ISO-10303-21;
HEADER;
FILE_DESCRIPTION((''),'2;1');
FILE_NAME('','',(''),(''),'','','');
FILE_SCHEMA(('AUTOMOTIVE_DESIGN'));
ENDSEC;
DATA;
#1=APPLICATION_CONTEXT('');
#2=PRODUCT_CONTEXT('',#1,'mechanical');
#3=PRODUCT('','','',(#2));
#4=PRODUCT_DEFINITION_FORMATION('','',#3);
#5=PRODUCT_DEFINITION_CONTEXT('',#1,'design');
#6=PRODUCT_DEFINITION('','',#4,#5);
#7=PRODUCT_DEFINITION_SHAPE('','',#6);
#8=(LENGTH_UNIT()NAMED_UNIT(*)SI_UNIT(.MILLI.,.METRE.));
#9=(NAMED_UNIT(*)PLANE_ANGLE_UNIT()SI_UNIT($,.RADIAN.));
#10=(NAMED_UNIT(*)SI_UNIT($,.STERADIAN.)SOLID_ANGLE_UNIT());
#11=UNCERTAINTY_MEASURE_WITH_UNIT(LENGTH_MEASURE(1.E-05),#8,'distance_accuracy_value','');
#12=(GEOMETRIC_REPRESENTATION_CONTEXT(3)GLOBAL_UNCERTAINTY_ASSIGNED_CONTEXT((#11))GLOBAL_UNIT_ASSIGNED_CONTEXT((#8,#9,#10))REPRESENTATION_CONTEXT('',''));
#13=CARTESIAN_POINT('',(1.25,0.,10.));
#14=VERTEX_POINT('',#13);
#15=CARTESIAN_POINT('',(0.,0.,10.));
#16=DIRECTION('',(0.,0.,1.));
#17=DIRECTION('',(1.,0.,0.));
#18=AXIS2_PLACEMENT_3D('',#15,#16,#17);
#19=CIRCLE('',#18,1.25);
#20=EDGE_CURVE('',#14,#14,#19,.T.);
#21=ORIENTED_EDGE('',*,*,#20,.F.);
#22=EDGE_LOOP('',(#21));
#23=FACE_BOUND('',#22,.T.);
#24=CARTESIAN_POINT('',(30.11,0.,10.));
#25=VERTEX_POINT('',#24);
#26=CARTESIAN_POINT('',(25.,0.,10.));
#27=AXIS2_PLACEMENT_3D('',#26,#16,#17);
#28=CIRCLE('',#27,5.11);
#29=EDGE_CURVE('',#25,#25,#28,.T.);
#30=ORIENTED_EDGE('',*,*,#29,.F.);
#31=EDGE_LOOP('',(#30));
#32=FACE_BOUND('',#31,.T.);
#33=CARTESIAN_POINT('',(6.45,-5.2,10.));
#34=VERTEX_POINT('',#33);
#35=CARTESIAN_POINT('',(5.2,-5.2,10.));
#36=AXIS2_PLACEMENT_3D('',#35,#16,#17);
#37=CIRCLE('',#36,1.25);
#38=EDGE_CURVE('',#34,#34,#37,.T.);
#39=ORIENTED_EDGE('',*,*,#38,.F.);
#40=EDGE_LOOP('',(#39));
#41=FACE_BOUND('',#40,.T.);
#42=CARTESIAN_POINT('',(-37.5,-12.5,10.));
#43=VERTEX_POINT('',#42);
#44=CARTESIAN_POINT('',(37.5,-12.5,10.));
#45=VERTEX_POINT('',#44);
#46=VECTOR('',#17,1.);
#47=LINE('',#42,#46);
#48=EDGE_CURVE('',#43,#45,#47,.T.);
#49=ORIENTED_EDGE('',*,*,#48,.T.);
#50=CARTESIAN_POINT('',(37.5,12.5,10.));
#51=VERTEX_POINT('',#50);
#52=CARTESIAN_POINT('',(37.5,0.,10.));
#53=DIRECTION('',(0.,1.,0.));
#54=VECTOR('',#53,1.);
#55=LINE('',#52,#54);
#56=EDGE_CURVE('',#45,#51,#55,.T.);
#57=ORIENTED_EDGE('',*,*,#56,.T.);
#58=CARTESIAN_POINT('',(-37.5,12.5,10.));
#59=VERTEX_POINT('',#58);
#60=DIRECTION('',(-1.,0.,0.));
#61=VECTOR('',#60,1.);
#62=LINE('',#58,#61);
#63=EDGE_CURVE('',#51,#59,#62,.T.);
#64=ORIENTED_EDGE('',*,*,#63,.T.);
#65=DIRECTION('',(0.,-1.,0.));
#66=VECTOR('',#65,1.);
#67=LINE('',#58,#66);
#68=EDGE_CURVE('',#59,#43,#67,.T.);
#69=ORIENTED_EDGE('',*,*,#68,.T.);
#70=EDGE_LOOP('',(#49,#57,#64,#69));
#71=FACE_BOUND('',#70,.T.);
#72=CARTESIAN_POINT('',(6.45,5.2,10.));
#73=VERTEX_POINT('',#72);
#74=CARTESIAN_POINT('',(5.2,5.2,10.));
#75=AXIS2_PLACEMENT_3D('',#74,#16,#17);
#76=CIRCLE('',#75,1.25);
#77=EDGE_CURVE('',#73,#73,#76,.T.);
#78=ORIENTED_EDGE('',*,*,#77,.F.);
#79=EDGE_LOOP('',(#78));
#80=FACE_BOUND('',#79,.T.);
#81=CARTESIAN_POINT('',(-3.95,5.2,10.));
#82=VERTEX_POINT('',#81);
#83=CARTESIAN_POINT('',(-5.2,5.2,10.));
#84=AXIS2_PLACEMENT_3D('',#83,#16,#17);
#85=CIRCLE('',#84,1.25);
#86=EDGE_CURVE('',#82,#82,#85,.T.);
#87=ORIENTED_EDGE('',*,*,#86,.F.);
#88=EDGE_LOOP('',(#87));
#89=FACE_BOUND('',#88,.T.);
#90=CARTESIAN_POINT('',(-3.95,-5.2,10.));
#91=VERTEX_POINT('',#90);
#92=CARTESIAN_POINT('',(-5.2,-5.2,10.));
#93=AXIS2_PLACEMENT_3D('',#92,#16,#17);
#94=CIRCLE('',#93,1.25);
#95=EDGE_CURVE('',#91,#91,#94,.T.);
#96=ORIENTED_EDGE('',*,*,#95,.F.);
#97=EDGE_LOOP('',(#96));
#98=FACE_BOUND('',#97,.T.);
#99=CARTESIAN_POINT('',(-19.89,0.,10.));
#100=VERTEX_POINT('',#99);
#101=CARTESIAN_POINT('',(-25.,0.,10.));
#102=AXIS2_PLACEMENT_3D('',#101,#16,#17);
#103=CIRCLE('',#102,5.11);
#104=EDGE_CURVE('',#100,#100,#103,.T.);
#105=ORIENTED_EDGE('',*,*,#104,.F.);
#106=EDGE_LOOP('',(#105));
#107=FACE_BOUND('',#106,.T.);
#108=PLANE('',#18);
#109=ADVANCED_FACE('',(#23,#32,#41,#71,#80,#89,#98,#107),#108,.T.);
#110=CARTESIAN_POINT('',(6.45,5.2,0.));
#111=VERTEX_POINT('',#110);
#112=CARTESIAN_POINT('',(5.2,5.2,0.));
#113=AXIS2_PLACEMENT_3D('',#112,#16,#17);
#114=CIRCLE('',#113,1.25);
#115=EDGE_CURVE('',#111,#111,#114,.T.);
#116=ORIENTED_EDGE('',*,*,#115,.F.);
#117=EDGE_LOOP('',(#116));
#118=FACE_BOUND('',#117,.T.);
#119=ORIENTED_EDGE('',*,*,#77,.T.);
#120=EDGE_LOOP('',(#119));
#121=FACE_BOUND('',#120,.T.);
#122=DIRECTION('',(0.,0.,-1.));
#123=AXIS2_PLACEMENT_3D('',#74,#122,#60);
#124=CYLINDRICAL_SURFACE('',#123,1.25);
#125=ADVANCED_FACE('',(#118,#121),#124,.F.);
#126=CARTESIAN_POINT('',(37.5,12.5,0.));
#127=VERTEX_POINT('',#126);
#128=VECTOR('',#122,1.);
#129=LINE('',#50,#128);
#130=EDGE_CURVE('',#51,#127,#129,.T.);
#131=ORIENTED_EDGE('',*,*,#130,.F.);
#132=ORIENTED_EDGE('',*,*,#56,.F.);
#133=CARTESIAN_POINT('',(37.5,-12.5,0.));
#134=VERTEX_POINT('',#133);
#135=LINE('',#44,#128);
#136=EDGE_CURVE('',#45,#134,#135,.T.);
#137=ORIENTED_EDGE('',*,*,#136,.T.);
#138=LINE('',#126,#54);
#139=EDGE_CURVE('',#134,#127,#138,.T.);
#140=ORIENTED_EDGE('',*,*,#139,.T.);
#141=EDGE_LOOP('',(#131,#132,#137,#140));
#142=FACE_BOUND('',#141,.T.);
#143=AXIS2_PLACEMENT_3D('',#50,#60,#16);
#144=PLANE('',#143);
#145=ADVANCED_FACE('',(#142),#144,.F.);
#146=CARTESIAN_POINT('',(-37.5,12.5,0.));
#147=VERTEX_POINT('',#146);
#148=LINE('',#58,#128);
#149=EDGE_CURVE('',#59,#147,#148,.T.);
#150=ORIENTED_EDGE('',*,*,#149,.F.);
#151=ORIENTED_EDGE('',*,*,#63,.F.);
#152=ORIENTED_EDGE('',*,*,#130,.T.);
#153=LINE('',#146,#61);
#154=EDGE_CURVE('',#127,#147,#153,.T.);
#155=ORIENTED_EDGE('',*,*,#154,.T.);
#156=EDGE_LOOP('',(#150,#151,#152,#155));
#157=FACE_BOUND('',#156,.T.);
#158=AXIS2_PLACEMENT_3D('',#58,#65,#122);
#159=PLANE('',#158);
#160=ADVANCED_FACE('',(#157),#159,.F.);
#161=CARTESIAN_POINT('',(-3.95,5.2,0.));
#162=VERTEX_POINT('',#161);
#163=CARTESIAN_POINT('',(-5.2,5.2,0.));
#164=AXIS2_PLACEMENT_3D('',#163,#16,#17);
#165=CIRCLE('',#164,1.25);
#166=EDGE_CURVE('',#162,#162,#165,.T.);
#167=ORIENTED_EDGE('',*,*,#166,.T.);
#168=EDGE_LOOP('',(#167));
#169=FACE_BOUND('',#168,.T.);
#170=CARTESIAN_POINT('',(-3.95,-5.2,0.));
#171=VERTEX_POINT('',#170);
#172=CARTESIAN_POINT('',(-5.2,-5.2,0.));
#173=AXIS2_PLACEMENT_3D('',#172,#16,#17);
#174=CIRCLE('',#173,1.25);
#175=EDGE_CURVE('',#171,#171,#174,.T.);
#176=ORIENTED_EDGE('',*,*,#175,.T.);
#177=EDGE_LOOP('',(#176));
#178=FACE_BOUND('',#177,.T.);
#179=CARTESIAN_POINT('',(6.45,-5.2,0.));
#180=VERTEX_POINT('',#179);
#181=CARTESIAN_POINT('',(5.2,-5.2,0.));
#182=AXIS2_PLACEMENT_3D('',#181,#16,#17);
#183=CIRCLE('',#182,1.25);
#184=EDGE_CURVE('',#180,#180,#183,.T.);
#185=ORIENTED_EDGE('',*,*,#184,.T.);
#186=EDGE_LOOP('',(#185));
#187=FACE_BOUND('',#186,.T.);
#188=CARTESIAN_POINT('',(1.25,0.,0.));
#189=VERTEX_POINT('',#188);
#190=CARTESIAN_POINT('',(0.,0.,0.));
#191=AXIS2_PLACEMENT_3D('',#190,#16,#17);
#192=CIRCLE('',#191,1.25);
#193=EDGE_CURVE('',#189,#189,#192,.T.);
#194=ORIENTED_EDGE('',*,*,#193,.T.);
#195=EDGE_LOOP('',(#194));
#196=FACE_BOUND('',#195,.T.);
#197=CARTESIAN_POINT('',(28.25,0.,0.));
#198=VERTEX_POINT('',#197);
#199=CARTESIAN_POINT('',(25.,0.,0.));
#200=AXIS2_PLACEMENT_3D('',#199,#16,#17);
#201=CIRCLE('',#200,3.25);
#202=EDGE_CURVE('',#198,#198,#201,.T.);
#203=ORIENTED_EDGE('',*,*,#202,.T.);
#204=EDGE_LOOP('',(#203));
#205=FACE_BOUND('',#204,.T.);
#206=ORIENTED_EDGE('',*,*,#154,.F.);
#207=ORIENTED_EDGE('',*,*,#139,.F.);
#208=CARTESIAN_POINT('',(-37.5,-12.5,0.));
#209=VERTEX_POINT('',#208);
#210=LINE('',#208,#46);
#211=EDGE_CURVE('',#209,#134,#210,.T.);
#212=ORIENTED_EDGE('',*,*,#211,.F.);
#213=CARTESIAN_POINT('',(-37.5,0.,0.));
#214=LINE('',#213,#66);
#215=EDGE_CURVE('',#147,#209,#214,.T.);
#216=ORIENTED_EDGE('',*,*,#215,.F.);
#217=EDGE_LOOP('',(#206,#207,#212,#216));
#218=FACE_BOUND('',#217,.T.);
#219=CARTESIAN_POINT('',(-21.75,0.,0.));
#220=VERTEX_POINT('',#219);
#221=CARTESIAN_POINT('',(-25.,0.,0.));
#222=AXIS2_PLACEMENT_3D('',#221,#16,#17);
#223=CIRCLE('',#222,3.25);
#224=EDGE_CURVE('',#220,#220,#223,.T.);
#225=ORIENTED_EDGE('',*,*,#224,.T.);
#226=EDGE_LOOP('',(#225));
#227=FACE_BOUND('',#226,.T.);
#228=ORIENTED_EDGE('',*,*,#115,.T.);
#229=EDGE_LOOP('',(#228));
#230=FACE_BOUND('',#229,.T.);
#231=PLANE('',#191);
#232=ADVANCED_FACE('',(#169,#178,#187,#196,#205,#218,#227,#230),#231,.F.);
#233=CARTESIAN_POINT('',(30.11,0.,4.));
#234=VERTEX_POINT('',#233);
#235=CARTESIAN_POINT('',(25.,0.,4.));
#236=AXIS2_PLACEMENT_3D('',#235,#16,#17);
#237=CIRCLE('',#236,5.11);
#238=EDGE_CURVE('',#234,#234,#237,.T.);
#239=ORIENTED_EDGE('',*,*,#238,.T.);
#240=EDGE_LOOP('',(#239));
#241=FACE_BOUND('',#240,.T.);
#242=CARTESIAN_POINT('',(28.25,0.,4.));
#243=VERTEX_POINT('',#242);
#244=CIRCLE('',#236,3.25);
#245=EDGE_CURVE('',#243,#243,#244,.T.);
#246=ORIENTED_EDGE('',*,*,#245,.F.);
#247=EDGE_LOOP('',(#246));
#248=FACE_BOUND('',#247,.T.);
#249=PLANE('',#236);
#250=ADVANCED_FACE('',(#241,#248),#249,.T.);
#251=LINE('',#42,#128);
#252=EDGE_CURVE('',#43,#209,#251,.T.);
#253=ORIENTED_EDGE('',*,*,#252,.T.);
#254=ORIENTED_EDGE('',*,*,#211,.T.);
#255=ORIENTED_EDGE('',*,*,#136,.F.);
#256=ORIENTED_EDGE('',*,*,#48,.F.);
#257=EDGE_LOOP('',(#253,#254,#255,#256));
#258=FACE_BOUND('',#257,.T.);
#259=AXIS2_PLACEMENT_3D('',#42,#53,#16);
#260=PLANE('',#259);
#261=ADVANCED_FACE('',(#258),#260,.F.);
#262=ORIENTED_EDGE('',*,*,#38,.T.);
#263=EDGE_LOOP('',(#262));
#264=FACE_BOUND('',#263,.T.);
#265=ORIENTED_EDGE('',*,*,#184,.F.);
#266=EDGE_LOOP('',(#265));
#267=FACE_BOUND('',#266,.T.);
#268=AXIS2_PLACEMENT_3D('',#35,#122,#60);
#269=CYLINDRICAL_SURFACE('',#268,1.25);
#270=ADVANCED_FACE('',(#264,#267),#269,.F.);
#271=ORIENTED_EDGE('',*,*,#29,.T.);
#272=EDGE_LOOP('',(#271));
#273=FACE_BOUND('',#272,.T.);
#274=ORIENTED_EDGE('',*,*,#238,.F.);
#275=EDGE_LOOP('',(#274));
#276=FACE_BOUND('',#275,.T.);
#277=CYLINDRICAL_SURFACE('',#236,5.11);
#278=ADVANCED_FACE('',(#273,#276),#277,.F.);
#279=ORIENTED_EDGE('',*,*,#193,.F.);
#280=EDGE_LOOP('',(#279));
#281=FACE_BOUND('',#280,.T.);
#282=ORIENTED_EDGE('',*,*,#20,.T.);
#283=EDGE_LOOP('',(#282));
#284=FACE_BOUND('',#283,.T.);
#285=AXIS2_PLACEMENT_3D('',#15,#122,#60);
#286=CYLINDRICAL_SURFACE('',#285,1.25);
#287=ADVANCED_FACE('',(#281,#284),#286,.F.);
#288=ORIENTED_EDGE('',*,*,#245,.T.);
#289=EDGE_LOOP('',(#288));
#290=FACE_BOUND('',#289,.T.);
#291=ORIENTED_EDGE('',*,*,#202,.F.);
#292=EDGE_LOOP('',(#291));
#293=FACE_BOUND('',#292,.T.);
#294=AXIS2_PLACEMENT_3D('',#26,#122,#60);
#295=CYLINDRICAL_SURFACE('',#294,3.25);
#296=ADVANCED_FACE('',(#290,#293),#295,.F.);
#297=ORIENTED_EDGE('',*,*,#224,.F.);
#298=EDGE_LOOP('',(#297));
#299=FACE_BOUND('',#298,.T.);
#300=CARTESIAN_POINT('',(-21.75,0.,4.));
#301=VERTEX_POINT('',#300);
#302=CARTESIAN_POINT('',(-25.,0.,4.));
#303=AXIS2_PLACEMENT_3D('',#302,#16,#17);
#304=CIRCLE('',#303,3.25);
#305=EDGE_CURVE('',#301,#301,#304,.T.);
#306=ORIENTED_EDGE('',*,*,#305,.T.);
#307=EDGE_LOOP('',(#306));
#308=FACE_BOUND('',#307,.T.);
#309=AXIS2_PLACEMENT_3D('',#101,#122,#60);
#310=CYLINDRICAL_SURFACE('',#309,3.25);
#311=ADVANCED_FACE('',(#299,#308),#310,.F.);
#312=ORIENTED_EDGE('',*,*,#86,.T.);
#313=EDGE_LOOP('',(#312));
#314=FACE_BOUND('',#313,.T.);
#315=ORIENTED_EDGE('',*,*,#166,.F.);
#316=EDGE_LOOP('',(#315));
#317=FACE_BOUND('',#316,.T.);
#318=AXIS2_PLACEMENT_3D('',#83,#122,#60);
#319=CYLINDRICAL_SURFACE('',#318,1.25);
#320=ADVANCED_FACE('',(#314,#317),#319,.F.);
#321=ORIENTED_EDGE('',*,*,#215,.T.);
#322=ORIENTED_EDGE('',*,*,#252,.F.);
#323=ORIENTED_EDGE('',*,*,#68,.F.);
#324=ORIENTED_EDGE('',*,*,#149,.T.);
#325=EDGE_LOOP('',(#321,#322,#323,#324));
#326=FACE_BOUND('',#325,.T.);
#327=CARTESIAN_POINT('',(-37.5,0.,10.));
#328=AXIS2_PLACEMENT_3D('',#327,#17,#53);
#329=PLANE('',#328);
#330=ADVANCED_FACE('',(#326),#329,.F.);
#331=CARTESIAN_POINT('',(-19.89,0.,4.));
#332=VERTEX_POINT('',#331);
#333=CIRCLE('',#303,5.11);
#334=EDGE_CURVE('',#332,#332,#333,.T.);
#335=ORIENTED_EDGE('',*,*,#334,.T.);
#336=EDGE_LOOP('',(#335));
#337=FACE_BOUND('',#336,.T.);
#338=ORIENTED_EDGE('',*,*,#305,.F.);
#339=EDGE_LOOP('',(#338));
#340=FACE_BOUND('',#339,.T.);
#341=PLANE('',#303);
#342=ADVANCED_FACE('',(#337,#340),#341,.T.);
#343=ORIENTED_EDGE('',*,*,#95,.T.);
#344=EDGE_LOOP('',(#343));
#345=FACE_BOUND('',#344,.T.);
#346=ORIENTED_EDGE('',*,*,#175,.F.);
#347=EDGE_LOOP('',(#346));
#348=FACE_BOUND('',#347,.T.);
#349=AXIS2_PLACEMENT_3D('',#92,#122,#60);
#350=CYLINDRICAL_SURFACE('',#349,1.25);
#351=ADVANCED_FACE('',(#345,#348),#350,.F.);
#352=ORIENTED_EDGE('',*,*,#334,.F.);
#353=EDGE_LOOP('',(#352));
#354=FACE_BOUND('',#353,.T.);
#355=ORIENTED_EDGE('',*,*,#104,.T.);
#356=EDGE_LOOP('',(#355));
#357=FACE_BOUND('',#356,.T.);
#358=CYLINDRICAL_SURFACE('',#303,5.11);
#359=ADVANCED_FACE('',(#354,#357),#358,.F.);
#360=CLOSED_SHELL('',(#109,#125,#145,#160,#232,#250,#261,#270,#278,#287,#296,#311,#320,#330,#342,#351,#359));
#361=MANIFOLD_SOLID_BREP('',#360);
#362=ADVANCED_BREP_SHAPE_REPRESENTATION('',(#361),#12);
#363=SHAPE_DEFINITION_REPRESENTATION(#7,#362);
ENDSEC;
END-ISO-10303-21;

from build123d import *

# Parameters (mm, degrees)
SKETCH1_R           = 3.25
SKETCH1_R_2         = 1.25
BOSS_EXTRUDE1_DEPTH = 10
SKETCH2_R           = 5.11
CUT_EXTRUDE1_DEPTH  = 6


with BuildPart() as part:
    # Sketch1 → Boss-Extrude1 (new body)
    with BuildSketch(Plane.XY):
        Polygon((-37.5, 12.5), (37.5, 12.5), (37.5, 0), (37.5, -12.5), (-37.5, -12.5), (-37.5, 0), align=None)
        with Locations((-25, 0)):
            Circle(SKETCH1_R, mode=Mode.SUBTRACT)
        with Locations((25, 0)):
            Circle(SKETCH1_R, mode=Mode.SUBTRACT)
        Circle(SKETCH1_R_2, mode=Mode.SUBTRACT)
        with Locations((-5.2, 5.2)):
            Circle(SKETCH1_R_2, mode=Mode.SUBTRACT)
        with Locations((5.2, 5.2)):
            Circle(SKETCH1_R_2, mode=Mode.SUBTRACT)
        with Locations((5.2, -5.2)):
            Circle(SKETCH1_R_2, mode=Mode.SUBTRACT)
        with Locations((-5.2, -5.2)):
            Circle(SKETCH1_R_2, mode=Mode.SUBTRACT)
    extrude(amount=BOSS_EXTRUDE1_DEPTH)

    # Sketch2 → Cut-Extrude1 (cut)
    with BuildSketch(Plane.XY.offset(10)):
        with Locations((-25, 0)):
            Circle(SKETCH2_R)
        with Locations((25, 0)):
            Circle(SKETCH2_R)
    extrude(amount=-CUT_EXTRUDE1_DEPTH, mode=Mode.SUBTRACT)


solid = part.part
